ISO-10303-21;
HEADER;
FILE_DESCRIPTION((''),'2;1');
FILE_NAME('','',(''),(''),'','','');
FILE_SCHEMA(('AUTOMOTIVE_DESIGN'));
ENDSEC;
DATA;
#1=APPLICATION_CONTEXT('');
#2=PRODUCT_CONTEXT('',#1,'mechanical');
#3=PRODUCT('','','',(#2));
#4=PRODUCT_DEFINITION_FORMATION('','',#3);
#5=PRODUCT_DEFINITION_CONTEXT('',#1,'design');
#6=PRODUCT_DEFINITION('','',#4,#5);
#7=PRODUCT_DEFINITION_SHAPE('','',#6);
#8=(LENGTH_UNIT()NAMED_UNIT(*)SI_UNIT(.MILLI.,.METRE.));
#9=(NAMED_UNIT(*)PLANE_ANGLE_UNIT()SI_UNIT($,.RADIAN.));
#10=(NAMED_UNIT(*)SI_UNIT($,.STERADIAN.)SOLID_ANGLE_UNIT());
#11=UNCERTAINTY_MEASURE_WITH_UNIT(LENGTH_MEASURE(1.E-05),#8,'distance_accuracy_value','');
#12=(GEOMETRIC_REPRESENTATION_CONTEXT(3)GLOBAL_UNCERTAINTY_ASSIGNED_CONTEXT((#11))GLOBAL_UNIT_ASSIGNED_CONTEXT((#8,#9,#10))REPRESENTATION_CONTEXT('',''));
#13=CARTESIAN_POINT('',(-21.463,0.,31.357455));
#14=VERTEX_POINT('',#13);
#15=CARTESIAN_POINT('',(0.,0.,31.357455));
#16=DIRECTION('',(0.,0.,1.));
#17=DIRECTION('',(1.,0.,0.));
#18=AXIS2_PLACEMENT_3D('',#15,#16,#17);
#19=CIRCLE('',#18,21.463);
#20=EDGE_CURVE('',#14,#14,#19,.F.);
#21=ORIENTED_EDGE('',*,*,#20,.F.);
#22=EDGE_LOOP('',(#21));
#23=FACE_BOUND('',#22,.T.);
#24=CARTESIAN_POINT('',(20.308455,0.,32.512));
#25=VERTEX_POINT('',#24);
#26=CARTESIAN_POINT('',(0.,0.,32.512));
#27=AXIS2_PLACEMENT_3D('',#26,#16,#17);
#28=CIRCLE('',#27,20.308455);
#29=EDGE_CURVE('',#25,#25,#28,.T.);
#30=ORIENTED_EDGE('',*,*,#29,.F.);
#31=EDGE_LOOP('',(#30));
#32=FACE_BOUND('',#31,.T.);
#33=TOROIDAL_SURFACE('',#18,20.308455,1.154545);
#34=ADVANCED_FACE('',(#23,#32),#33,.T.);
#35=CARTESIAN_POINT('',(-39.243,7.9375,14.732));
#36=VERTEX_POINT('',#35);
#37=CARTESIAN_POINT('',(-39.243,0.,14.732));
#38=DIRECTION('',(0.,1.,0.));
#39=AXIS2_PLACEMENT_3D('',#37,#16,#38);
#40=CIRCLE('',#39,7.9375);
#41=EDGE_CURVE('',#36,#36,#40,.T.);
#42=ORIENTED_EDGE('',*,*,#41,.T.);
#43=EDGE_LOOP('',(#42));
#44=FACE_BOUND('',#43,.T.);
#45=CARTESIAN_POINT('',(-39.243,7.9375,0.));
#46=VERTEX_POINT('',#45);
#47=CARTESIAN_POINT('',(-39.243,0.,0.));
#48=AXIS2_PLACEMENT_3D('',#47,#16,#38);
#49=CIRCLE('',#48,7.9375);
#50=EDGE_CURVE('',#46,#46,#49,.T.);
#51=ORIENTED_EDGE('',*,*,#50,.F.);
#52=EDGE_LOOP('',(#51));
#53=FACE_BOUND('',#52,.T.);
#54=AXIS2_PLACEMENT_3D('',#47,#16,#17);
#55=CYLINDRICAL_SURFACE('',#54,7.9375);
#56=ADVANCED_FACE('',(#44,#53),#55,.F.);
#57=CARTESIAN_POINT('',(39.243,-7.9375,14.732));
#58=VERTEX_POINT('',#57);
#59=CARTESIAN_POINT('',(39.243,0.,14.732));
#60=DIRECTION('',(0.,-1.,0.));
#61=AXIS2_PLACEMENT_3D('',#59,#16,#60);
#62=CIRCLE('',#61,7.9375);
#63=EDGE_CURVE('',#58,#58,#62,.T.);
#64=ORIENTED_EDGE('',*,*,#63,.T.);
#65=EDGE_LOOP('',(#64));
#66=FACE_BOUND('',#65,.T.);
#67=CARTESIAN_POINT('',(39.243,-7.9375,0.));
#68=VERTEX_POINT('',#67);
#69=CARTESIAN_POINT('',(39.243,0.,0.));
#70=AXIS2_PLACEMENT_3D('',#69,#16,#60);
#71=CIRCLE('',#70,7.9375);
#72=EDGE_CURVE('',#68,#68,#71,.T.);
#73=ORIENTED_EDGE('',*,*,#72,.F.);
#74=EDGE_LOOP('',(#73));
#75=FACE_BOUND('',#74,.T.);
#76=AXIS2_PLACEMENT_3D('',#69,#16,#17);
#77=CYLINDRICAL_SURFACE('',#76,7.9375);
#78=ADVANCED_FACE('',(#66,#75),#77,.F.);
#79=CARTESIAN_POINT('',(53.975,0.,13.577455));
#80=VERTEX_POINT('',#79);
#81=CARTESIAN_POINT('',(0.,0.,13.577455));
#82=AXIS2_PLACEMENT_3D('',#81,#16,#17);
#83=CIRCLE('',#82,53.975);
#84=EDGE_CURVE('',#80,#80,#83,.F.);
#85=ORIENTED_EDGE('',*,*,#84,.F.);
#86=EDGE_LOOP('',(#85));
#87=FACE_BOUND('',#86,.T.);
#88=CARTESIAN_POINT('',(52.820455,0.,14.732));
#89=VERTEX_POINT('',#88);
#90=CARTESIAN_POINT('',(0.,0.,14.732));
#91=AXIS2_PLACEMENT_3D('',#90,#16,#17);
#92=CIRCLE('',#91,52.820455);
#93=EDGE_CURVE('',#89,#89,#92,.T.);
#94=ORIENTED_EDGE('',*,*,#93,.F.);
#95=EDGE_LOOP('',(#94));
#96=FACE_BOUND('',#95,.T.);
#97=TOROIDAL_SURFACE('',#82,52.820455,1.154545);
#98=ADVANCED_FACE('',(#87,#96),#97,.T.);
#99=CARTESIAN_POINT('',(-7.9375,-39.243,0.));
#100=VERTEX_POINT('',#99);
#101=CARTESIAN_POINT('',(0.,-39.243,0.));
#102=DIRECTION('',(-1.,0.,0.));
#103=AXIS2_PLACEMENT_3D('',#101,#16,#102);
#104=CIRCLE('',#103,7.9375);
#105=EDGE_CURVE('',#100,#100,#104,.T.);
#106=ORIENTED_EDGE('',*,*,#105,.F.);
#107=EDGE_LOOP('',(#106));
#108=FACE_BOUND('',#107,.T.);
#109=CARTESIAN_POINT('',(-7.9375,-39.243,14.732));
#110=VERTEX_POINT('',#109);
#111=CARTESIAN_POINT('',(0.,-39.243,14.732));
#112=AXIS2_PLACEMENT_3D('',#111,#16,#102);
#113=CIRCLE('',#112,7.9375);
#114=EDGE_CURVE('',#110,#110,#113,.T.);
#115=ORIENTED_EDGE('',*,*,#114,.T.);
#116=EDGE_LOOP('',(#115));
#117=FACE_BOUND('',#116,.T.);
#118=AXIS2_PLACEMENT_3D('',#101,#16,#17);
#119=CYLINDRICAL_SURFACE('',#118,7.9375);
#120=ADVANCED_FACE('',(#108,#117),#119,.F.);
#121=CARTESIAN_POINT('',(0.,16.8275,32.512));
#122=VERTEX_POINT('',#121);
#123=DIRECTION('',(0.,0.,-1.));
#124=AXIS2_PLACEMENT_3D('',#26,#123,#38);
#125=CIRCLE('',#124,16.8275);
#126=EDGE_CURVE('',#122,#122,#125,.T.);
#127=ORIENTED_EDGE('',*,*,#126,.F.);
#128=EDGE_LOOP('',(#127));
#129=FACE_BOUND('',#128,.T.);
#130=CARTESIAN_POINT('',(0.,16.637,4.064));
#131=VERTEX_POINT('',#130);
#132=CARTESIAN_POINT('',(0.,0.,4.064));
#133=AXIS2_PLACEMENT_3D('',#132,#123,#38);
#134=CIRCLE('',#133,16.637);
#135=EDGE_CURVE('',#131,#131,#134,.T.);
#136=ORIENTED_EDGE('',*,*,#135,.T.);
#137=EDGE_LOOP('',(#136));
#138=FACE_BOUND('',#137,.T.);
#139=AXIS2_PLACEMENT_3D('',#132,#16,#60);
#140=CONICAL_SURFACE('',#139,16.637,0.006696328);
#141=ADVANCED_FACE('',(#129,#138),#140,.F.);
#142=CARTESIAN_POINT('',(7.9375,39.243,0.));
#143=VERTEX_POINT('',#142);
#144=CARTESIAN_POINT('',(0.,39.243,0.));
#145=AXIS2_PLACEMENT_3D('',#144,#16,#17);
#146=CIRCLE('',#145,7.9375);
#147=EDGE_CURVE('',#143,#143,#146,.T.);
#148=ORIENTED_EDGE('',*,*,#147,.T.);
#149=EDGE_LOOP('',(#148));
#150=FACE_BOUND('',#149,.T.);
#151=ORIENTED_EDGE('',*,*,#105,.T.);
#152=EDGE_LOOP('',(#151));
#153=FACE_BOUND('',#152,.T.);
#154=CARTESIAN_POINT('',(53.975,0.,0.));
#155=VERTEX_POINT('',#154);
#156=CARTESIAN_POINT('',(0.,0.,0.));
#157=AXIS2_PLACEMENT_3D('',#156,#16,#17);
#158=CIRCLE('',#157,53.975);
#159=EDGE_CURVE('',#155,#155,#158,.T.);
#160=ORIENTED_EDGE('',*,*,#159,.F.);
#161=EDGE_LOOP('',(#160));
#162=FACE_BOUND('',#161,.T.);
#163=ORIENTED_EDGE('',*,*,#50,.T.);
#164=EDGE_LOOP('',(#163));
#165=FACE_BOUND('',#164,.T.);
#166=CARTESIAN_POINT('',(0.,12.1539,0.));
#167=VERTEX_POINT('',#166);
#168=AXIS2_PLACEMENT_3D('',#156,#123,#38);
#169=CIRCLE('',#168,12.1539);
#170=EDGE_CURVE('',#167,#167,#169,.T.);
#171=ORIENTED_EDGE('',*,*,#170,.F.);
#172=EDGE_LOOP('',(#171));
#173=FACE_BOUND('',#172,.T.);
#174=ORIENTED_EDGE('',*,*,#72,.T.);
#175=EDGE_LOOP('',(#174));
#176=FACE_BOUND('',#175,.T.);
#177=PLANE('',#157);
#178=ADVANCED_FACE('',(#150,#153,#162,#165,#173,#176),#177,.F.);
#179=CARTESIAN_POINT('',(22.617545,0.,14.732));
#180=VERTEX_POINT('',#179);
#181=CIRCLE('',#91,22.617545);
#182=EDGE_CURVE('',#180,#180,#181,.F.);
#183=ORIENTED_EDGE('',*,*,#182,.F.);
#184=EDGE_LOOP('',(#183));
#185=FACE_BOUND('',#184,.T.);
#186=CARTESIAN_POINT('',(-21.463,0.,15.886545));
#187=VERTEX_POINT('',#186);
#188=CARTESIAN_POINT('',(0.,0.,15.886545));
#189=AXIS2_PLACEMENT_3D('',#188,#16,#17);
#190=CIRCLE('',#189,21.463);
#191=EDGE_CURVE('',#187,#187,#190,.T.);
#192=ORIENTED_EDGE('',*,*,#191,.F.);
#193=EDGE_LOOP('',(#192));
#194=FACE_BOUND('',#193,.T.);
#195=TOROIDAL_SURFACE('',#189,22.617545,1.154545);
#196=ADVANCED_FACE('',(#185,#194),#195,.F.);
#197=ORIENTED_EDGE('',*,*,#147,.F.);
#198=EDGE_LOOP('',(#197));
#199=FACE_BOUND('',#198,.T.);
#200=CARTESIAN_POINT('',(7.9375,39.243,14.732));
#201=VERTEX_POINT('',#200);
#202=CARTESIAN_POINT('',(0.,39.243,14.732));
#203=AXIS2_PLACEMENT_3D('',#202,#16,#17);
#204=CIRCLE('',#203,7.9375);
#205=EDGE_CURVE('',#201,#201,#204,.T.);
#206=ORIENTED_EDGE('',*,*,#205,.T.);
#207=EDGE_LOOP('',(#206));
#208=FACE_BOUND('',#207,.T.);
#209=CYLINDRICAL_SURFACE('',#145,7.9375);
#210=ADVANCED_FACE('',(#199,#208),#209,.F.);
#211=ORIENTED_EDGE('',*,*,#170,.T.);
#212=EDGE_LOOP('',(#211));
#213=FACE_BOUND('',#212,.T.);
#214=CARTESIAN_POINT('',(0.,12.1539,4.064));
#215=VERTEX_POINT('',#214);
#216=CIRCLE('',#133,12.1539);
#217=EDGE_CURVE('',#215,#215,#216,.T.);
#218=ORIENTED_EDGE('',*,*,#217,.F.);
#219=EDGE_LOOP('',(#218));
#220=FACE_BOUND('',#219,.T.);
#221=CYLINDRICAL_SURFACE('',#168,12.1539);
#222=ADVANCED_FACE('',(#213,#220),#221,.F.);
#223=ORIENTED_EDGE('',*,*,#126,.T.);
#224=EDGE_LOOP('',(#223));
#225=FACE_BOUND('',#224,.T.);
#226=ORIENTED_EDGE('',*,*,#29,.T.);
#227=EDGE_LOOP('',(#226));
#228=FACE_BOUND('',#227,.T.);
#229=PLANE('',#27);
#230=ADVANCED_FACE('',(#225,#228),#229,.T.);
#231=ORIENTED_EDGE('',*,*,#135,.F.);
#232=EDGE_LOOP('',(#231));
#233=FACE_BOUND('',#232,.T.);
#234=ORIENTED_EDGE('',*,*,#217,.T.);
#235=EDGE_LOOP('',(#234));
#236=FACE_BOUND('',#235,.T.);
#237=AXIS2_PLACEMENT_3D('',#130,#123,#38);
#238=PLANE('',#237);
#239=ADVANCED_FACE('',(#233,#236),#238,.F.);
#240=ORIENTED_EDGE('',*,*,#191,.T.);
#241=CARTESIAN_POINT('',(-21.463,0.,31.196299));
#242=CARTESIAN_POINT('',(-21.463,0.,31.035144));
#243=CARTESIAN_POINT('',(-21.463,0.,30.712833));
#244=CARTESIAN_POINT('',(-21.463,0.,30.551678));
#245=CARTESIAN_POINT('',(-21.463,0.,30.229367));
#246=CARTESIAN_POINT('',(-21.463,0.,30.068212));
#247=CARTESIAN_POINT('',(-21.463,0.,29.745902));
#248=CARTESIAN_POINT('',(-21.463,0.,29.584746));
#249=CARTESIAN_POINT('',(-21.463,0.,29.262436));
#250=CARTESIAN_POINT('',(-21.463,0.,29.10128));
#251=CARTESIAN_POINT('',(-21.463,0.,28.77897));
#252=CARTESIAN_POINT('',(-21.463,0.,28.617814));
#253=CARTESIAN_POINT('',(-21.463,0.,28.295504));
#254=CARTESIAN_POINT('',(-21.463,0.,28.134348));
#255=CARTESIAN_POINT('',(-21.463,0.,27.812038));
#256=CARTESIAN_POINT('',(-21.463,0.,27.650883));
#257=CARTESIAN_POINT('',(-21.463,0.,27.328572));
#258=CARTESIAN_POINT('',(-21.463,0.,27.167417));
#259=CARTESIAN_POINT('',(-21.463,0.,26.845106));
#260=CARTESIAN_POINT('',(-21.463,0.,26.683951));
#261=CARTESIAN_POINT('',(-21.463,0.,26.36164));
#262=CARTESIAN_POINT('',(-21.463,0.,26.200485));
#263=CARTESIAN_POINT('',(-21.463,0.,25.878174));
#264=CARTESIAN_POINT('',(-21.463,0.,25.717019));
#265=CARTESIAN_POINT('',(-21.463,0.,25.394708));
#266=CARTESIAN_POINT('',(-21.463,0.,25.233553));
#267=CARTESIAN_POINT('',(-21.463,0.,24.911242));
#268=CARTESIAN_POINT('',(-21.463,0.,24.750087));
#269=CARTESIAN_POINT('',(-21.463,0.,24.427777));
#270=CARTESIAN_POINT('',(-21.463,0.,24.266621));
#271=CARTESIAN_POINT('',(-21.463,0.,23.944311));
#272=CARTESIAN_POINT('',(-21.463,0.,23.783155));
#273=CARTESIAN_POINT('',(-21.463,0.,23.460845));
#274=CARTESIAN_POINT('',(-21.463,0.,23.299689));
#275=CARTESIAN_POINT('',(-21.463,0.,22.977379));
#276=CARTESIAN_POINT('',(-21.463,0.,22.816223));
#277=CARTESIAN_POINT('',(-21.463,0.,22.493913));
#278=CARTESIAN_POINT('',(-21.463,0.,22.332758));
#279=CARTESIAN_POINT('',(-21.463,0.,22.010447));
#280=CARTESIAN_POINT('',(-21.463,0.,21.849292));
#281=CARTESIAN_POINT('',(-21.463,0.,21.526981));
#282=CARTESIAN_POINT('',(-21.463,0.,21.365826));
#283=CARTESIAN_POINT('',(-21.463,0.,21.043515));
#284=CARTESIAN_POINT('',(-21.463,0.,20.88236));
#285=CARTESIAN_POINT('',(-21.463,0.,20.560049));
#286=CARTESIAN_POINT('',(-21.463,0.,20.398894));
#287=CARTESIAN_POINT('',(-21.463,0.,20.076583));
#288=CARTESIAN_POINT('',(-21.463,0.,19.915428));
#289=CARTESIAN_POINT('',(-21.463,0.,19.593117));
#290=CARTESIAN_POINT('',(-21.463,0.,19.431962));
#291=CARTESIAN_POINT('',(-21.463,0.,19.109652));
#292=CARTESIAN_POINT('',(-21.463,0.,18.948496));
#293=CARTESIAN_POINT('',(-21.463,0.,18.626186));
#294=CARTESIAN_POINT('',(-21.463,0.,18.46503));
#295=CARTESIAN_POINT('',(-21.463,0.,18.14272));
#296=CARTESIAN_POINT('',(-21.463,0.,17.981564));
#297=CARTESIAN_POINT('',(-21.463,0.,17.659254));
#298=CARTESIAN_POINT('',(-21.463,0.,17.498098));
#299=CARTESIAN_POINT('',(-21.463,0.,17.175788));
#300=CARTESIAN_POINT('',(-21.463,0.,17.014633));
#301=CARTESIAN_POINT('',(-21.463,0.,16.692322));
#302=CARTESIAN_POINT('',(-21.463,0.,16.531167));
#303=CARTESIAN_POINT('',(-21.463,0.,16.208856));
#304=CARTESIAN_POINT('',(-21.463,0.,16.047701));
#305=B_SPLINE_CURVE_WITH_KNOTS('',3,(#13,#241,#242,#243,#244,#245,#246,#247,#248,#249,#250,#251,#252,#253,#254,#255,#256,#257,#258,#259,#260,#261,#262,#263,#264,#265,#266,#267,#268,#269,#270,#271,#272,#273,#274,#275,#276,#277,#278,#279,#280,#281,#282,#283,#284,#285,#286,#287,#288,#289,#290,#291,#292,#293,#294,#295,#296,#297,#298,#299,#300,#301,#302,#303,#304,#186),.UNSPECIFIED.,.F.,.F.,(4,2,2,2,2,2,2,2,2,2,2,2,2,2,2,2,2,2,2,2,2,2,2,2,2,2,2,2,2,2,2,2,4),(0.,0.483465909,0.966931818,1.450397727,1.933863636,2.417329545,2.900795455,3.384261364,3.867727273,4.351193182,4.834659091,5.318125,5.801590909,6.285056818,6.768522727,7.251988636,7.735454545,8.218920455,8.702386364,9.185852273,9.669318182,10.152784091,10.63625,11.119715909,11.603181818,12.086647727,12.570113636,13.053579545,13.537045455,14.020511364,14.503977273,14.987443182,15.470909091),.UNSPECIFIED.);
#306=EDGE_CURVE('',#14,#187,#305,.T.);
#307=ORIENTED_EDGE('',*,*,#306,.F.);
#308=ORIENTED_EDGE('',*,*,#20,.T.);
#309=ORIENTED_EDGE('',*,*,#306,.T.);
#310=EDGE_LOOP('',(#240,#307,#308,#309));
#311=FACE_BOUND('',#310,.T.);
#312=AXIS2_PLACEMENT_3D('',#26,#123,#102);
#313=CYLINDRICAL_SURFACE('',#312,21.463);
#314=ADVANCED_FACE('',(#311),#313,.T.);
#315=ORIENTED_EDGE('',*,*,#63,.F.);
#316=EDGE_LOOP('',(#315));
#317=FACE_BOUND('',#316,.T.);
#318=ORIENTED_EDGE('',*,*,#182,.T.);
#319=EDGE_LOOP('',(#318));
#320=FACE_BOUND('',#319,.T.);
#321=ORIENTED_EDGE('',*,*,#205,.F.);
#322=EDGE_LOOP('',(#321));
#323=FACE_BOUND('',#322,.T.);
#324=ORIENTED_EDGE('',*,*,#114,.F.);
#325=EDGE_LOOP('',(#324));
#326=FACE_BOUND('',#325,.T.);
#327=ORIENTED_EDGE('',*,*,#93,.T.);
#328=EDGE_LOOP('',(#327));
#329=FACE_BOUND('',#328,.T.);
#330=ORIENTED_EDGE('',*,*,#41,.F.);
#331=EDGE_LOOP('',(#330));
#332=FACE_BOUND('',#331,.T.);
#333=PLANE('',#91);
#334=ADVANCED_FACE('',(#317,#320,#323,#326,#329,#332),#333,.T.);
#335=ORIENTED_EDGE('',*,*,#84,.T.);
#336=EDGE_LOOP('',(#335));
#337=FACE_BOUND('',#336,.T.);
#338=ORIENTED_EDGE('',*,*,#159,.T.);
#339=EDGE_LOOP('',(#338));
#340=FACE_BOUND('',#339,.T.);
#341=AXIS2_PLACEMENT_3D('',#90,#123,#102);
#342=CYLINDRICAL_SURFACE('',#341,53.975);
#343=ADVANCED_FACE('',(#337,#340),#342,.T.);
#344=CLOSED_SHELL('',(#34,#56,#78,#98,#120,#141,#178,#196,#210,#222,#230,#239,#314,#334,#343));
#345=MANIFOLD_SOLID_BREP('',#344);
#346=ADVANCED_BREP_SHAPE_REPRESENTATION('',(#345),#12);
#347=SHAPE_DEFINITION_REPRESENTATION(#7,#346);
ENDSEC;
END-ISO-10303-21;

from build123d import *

# Parameters (mm, degrees)
SKETCH1_R         = 53.975
EXTRUDE1_DEPTH    = 14.732
SKETCH2_R         = 21.463
EXTRUDE2_DEPTH    = 17.78
SKETCH3_R         = 7.9375
EXTRUDE3_DEPTH    = 79.375567941
CIRPATTERN1_COUNT = 4
FILLET1_R         = 1.154545455


with BuildPart() as part:
    # Sketch1 → Extrude1 (new body)
    with BuildSketch(Plane.XY):
        Circle(SKETCH1_R)
    extrude(amount=EXTRUDE1_DEPTH)

    # Sketch2 → Extrude2 (add)
    with BuildSketch(Plane.XY.offset(14.732)):
        with Locations(Location((0, 0, 0), (0, 0, 180))):
            Circle(SKETCH2_R)
    extrude(amount=EXTRUDE2_DEPTH)

    # Sketch3 → Extrude3 (cut, through all)
    with BuildSketch(Plane.XY.offset(14.732)):
        with Locations((0, 39.243)):
            Circle(SKETCH3_R)
    extrude3 = extrude(amount=-EXTRUDE3_DEPTH, mode=Mode.SUBTRACT)

    # CirPattern1: Extrude3 ×4 about axis
    cirpattern1_axis = Axis((0, 0, 0), (0, 0, 1))
    for i in range(1, CIRPATTERN1_COUNT):
        add(extrude3.rotate(cirpattern1_axis, i * 360 / CIRPATTERN1_COUNT), mode=Mode.SUBTRACT)

    # Fillet1
    fillet1_edges = [part.edges().sort_by_distance(p)[0] for p in [
        (-53.975, 0, 14.732),
        (21.463, 0, 14.732),
        (21.463, 0, 32.512),
    ]]
    fillet(fillet1_edges, radius=FILLET1_R)

    # Sketch4 → Cut-Revolve1 (revolve, cut)
    with BuildSketch(Plane(origin=(0, 0, 63.5), x_dir=(0, 0, -1), z_dir=(1, 0, 0)), mode=Mode.PRIVATE) as cut_revolve1_sk:
        Polygon((30.988, 16.8275), (59.436, 16.637), (59.436, 12.1539), (63.5, 12.1539), (63.5, 0), (30.988, 0), align=None)
    revolve(cut_revolve1_sk.sketch.rotate(Axis((0, 0, 0), (0, 0, 1)), 270), axis=Axis((0, 0, 0), (0, 0, 1)), mode=Mode.SUBTRACT)


solid = part.part
